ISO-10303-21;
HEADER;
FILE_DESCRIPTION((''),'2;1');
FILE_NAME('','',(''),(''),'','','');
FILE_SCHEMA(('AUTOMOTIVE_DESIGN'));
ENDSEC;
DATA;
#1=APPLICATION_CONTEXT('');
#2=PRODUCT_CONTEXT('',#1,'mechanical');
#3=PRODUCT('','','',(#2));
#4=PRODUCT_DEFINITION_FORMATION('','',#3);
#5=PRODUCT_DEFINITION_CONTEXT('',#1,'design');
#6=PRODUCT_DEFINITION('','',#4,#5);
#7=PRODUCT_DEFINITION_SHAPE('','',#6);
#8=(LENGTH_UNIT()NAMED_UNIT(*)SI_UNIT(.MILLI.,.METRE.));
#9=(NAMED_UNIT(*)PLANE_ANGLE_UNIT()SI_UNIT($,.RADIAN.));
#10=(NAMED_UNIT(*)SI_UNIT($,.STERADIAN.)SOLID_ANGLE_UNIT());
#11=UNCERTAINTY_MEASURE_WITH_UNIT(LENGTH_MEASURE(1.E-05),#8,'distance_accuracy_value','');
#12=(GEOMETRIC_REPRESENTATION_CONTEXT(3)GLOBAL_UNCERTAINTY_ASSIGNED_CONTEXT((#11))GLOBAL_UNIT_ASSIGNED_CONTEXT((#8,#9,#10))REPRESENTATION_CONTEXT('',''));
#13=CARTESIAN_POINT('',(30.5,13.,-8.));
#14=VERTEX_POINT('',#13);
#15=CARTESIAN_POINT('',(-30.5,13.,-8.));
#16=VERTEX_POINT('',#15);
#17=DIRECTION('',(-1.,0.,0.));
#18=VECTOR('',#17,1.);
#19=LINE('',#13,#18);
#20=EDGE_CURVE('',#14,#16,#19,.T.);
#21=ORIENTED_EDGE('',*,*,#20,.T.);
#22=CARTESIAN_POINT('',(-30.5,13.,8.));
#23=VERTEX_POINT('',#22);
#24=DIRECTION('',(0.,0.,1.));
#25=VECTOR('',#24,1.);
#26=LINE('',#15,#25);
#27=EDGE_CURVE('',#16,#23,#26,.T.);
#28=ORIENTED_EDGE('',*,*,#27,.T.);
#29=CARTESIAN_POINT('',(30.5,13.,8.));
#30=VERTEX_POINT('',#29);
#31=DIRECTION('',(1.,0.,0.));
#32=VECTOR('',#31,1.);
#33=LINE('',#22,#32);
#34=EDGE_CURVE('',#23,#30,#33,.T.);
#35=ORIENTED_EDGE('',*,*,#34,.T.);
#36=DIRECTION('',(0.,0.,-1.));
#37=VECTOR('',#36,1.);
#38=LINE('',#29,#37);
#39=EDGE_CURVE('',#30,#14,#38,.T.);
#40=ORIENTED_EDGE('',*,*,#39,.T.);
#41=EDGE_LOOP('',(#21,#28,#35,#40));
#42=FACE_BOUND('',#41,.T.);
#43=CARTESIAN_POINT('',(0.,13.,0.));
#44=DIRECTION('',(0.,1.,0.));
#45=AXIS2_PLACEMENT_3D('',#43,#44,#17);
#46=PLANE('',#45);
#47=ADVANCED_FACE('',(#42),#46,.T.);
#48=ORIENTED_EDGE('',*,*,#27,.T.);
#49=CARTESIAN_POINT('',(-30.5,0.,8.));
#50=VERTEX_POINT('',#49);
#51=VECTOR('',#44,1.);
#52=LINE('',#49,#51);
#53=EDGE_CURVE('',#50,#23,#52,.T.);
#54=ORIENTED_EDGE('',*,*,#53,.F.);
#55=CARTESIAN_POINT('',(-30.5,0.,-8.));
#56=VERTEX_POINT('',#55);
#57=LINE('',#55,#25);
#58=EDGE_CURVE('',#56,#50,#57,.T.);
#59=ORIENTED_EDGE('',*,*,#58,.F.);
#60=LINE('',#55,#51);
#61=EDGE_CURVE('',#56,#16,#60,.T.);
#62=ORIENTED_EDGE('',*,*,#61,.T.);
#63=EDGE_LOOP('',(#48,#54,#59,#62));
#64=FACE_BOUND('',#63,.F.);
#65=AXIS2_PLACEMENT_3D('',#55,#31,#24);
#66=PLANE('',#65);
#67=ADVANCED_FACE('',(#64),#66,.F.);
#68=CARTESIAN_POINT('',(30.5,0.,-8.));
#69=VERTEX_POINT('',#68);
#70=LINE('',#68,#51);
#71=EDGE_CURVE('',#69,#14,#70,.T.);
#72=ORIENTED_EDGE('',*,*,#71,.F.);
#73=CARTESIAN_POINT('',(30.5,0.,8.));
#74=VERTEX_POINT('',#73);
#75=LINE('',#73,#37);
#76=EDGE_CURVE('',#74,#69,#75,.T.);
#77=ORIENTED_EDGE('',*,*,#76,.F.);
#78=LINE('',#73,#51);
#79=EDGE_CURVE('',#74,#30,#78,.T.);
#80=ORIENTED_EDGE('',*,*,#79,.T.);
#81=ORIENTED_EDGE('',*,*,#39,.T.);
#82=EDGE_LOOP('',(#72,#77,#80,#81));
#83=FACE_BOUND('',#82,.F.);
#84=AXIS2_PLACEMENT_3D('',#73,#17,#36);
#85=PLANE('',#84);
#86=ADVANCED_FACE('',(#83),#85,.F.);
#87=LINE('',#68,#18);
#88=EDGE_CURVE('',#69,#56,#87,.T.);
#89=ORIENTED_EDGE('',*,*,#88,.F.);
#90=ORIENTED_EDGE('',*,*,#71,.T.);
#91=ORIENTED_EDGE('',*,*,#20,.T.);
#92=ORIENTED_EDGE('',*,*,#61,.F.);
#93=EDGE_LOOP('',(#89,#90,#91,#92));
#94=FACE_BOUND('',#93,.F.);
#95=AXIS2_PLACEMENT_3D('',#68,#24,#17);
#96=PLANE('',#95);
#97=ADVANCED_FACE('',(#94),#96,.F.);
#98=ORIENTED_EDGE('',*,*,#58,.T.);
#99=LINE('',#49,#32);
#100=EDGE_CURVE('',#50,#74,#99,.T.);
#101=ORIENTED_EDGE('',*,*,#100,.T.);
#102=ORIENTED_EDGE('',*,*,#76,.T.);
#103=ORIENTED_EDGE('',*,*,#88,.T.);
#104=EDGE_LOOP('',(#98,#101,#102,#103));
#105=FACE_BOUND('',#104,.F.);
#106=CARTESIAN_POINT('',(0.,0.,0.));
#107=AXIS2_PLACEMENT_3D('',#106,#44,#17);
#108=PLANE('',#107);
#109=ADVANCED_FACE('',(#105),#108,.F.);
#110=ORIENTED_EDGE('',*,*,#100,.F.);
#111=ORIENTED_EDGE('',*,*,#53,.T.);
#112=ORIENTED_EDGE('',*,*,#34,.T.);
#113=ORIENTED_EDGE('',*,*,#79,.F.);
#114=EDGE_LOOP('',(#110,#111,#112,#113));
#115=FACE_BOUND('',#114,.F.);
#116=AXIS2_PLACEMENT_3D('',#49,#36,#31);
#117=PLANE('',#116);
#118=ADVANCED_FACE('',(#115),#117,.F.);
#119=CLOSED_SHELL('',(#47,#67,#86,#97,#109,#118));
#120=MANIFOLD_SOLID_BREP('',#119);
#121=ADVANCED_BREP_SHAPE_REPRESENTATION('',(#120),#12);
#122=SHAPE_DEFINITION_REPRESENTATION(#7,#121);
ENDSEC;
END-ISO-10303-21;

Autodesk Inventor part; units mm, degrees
ref_plane "YZ Plane" through (0, 0, 0) normal (1, 0, 0) x (0, 1, 0)
ref_plane "XZ Plane" through (0, 0, 0) normal (0, 1, 0) x (-1, 0, 0)
sketch "Sketch1" plane through (0, 0, 0) normal (0, 1, 0) x (-1, 0, 0)
  line L0 (30.5, 8) -> (-30.5, 8)
  line L1 (-30.5, 8) -> (-30.5, -8)
  line L2 (-30.5, -8) -> (30.5, -8)
  line L3 (30.5, -8) -> (30.5, 8)
  line L4 (30.5, 8) -> (-30.5, -8) construction
  line L5 (-30.5, 8) -> (30.5, -8) construction
  point P0 (0, 0)
  dimension "d0" = 61
  dimension "d1" = 16
extrude "Extrusion1" add sketch "Sketch1" along normal blind 13
properties part number "Battery"
